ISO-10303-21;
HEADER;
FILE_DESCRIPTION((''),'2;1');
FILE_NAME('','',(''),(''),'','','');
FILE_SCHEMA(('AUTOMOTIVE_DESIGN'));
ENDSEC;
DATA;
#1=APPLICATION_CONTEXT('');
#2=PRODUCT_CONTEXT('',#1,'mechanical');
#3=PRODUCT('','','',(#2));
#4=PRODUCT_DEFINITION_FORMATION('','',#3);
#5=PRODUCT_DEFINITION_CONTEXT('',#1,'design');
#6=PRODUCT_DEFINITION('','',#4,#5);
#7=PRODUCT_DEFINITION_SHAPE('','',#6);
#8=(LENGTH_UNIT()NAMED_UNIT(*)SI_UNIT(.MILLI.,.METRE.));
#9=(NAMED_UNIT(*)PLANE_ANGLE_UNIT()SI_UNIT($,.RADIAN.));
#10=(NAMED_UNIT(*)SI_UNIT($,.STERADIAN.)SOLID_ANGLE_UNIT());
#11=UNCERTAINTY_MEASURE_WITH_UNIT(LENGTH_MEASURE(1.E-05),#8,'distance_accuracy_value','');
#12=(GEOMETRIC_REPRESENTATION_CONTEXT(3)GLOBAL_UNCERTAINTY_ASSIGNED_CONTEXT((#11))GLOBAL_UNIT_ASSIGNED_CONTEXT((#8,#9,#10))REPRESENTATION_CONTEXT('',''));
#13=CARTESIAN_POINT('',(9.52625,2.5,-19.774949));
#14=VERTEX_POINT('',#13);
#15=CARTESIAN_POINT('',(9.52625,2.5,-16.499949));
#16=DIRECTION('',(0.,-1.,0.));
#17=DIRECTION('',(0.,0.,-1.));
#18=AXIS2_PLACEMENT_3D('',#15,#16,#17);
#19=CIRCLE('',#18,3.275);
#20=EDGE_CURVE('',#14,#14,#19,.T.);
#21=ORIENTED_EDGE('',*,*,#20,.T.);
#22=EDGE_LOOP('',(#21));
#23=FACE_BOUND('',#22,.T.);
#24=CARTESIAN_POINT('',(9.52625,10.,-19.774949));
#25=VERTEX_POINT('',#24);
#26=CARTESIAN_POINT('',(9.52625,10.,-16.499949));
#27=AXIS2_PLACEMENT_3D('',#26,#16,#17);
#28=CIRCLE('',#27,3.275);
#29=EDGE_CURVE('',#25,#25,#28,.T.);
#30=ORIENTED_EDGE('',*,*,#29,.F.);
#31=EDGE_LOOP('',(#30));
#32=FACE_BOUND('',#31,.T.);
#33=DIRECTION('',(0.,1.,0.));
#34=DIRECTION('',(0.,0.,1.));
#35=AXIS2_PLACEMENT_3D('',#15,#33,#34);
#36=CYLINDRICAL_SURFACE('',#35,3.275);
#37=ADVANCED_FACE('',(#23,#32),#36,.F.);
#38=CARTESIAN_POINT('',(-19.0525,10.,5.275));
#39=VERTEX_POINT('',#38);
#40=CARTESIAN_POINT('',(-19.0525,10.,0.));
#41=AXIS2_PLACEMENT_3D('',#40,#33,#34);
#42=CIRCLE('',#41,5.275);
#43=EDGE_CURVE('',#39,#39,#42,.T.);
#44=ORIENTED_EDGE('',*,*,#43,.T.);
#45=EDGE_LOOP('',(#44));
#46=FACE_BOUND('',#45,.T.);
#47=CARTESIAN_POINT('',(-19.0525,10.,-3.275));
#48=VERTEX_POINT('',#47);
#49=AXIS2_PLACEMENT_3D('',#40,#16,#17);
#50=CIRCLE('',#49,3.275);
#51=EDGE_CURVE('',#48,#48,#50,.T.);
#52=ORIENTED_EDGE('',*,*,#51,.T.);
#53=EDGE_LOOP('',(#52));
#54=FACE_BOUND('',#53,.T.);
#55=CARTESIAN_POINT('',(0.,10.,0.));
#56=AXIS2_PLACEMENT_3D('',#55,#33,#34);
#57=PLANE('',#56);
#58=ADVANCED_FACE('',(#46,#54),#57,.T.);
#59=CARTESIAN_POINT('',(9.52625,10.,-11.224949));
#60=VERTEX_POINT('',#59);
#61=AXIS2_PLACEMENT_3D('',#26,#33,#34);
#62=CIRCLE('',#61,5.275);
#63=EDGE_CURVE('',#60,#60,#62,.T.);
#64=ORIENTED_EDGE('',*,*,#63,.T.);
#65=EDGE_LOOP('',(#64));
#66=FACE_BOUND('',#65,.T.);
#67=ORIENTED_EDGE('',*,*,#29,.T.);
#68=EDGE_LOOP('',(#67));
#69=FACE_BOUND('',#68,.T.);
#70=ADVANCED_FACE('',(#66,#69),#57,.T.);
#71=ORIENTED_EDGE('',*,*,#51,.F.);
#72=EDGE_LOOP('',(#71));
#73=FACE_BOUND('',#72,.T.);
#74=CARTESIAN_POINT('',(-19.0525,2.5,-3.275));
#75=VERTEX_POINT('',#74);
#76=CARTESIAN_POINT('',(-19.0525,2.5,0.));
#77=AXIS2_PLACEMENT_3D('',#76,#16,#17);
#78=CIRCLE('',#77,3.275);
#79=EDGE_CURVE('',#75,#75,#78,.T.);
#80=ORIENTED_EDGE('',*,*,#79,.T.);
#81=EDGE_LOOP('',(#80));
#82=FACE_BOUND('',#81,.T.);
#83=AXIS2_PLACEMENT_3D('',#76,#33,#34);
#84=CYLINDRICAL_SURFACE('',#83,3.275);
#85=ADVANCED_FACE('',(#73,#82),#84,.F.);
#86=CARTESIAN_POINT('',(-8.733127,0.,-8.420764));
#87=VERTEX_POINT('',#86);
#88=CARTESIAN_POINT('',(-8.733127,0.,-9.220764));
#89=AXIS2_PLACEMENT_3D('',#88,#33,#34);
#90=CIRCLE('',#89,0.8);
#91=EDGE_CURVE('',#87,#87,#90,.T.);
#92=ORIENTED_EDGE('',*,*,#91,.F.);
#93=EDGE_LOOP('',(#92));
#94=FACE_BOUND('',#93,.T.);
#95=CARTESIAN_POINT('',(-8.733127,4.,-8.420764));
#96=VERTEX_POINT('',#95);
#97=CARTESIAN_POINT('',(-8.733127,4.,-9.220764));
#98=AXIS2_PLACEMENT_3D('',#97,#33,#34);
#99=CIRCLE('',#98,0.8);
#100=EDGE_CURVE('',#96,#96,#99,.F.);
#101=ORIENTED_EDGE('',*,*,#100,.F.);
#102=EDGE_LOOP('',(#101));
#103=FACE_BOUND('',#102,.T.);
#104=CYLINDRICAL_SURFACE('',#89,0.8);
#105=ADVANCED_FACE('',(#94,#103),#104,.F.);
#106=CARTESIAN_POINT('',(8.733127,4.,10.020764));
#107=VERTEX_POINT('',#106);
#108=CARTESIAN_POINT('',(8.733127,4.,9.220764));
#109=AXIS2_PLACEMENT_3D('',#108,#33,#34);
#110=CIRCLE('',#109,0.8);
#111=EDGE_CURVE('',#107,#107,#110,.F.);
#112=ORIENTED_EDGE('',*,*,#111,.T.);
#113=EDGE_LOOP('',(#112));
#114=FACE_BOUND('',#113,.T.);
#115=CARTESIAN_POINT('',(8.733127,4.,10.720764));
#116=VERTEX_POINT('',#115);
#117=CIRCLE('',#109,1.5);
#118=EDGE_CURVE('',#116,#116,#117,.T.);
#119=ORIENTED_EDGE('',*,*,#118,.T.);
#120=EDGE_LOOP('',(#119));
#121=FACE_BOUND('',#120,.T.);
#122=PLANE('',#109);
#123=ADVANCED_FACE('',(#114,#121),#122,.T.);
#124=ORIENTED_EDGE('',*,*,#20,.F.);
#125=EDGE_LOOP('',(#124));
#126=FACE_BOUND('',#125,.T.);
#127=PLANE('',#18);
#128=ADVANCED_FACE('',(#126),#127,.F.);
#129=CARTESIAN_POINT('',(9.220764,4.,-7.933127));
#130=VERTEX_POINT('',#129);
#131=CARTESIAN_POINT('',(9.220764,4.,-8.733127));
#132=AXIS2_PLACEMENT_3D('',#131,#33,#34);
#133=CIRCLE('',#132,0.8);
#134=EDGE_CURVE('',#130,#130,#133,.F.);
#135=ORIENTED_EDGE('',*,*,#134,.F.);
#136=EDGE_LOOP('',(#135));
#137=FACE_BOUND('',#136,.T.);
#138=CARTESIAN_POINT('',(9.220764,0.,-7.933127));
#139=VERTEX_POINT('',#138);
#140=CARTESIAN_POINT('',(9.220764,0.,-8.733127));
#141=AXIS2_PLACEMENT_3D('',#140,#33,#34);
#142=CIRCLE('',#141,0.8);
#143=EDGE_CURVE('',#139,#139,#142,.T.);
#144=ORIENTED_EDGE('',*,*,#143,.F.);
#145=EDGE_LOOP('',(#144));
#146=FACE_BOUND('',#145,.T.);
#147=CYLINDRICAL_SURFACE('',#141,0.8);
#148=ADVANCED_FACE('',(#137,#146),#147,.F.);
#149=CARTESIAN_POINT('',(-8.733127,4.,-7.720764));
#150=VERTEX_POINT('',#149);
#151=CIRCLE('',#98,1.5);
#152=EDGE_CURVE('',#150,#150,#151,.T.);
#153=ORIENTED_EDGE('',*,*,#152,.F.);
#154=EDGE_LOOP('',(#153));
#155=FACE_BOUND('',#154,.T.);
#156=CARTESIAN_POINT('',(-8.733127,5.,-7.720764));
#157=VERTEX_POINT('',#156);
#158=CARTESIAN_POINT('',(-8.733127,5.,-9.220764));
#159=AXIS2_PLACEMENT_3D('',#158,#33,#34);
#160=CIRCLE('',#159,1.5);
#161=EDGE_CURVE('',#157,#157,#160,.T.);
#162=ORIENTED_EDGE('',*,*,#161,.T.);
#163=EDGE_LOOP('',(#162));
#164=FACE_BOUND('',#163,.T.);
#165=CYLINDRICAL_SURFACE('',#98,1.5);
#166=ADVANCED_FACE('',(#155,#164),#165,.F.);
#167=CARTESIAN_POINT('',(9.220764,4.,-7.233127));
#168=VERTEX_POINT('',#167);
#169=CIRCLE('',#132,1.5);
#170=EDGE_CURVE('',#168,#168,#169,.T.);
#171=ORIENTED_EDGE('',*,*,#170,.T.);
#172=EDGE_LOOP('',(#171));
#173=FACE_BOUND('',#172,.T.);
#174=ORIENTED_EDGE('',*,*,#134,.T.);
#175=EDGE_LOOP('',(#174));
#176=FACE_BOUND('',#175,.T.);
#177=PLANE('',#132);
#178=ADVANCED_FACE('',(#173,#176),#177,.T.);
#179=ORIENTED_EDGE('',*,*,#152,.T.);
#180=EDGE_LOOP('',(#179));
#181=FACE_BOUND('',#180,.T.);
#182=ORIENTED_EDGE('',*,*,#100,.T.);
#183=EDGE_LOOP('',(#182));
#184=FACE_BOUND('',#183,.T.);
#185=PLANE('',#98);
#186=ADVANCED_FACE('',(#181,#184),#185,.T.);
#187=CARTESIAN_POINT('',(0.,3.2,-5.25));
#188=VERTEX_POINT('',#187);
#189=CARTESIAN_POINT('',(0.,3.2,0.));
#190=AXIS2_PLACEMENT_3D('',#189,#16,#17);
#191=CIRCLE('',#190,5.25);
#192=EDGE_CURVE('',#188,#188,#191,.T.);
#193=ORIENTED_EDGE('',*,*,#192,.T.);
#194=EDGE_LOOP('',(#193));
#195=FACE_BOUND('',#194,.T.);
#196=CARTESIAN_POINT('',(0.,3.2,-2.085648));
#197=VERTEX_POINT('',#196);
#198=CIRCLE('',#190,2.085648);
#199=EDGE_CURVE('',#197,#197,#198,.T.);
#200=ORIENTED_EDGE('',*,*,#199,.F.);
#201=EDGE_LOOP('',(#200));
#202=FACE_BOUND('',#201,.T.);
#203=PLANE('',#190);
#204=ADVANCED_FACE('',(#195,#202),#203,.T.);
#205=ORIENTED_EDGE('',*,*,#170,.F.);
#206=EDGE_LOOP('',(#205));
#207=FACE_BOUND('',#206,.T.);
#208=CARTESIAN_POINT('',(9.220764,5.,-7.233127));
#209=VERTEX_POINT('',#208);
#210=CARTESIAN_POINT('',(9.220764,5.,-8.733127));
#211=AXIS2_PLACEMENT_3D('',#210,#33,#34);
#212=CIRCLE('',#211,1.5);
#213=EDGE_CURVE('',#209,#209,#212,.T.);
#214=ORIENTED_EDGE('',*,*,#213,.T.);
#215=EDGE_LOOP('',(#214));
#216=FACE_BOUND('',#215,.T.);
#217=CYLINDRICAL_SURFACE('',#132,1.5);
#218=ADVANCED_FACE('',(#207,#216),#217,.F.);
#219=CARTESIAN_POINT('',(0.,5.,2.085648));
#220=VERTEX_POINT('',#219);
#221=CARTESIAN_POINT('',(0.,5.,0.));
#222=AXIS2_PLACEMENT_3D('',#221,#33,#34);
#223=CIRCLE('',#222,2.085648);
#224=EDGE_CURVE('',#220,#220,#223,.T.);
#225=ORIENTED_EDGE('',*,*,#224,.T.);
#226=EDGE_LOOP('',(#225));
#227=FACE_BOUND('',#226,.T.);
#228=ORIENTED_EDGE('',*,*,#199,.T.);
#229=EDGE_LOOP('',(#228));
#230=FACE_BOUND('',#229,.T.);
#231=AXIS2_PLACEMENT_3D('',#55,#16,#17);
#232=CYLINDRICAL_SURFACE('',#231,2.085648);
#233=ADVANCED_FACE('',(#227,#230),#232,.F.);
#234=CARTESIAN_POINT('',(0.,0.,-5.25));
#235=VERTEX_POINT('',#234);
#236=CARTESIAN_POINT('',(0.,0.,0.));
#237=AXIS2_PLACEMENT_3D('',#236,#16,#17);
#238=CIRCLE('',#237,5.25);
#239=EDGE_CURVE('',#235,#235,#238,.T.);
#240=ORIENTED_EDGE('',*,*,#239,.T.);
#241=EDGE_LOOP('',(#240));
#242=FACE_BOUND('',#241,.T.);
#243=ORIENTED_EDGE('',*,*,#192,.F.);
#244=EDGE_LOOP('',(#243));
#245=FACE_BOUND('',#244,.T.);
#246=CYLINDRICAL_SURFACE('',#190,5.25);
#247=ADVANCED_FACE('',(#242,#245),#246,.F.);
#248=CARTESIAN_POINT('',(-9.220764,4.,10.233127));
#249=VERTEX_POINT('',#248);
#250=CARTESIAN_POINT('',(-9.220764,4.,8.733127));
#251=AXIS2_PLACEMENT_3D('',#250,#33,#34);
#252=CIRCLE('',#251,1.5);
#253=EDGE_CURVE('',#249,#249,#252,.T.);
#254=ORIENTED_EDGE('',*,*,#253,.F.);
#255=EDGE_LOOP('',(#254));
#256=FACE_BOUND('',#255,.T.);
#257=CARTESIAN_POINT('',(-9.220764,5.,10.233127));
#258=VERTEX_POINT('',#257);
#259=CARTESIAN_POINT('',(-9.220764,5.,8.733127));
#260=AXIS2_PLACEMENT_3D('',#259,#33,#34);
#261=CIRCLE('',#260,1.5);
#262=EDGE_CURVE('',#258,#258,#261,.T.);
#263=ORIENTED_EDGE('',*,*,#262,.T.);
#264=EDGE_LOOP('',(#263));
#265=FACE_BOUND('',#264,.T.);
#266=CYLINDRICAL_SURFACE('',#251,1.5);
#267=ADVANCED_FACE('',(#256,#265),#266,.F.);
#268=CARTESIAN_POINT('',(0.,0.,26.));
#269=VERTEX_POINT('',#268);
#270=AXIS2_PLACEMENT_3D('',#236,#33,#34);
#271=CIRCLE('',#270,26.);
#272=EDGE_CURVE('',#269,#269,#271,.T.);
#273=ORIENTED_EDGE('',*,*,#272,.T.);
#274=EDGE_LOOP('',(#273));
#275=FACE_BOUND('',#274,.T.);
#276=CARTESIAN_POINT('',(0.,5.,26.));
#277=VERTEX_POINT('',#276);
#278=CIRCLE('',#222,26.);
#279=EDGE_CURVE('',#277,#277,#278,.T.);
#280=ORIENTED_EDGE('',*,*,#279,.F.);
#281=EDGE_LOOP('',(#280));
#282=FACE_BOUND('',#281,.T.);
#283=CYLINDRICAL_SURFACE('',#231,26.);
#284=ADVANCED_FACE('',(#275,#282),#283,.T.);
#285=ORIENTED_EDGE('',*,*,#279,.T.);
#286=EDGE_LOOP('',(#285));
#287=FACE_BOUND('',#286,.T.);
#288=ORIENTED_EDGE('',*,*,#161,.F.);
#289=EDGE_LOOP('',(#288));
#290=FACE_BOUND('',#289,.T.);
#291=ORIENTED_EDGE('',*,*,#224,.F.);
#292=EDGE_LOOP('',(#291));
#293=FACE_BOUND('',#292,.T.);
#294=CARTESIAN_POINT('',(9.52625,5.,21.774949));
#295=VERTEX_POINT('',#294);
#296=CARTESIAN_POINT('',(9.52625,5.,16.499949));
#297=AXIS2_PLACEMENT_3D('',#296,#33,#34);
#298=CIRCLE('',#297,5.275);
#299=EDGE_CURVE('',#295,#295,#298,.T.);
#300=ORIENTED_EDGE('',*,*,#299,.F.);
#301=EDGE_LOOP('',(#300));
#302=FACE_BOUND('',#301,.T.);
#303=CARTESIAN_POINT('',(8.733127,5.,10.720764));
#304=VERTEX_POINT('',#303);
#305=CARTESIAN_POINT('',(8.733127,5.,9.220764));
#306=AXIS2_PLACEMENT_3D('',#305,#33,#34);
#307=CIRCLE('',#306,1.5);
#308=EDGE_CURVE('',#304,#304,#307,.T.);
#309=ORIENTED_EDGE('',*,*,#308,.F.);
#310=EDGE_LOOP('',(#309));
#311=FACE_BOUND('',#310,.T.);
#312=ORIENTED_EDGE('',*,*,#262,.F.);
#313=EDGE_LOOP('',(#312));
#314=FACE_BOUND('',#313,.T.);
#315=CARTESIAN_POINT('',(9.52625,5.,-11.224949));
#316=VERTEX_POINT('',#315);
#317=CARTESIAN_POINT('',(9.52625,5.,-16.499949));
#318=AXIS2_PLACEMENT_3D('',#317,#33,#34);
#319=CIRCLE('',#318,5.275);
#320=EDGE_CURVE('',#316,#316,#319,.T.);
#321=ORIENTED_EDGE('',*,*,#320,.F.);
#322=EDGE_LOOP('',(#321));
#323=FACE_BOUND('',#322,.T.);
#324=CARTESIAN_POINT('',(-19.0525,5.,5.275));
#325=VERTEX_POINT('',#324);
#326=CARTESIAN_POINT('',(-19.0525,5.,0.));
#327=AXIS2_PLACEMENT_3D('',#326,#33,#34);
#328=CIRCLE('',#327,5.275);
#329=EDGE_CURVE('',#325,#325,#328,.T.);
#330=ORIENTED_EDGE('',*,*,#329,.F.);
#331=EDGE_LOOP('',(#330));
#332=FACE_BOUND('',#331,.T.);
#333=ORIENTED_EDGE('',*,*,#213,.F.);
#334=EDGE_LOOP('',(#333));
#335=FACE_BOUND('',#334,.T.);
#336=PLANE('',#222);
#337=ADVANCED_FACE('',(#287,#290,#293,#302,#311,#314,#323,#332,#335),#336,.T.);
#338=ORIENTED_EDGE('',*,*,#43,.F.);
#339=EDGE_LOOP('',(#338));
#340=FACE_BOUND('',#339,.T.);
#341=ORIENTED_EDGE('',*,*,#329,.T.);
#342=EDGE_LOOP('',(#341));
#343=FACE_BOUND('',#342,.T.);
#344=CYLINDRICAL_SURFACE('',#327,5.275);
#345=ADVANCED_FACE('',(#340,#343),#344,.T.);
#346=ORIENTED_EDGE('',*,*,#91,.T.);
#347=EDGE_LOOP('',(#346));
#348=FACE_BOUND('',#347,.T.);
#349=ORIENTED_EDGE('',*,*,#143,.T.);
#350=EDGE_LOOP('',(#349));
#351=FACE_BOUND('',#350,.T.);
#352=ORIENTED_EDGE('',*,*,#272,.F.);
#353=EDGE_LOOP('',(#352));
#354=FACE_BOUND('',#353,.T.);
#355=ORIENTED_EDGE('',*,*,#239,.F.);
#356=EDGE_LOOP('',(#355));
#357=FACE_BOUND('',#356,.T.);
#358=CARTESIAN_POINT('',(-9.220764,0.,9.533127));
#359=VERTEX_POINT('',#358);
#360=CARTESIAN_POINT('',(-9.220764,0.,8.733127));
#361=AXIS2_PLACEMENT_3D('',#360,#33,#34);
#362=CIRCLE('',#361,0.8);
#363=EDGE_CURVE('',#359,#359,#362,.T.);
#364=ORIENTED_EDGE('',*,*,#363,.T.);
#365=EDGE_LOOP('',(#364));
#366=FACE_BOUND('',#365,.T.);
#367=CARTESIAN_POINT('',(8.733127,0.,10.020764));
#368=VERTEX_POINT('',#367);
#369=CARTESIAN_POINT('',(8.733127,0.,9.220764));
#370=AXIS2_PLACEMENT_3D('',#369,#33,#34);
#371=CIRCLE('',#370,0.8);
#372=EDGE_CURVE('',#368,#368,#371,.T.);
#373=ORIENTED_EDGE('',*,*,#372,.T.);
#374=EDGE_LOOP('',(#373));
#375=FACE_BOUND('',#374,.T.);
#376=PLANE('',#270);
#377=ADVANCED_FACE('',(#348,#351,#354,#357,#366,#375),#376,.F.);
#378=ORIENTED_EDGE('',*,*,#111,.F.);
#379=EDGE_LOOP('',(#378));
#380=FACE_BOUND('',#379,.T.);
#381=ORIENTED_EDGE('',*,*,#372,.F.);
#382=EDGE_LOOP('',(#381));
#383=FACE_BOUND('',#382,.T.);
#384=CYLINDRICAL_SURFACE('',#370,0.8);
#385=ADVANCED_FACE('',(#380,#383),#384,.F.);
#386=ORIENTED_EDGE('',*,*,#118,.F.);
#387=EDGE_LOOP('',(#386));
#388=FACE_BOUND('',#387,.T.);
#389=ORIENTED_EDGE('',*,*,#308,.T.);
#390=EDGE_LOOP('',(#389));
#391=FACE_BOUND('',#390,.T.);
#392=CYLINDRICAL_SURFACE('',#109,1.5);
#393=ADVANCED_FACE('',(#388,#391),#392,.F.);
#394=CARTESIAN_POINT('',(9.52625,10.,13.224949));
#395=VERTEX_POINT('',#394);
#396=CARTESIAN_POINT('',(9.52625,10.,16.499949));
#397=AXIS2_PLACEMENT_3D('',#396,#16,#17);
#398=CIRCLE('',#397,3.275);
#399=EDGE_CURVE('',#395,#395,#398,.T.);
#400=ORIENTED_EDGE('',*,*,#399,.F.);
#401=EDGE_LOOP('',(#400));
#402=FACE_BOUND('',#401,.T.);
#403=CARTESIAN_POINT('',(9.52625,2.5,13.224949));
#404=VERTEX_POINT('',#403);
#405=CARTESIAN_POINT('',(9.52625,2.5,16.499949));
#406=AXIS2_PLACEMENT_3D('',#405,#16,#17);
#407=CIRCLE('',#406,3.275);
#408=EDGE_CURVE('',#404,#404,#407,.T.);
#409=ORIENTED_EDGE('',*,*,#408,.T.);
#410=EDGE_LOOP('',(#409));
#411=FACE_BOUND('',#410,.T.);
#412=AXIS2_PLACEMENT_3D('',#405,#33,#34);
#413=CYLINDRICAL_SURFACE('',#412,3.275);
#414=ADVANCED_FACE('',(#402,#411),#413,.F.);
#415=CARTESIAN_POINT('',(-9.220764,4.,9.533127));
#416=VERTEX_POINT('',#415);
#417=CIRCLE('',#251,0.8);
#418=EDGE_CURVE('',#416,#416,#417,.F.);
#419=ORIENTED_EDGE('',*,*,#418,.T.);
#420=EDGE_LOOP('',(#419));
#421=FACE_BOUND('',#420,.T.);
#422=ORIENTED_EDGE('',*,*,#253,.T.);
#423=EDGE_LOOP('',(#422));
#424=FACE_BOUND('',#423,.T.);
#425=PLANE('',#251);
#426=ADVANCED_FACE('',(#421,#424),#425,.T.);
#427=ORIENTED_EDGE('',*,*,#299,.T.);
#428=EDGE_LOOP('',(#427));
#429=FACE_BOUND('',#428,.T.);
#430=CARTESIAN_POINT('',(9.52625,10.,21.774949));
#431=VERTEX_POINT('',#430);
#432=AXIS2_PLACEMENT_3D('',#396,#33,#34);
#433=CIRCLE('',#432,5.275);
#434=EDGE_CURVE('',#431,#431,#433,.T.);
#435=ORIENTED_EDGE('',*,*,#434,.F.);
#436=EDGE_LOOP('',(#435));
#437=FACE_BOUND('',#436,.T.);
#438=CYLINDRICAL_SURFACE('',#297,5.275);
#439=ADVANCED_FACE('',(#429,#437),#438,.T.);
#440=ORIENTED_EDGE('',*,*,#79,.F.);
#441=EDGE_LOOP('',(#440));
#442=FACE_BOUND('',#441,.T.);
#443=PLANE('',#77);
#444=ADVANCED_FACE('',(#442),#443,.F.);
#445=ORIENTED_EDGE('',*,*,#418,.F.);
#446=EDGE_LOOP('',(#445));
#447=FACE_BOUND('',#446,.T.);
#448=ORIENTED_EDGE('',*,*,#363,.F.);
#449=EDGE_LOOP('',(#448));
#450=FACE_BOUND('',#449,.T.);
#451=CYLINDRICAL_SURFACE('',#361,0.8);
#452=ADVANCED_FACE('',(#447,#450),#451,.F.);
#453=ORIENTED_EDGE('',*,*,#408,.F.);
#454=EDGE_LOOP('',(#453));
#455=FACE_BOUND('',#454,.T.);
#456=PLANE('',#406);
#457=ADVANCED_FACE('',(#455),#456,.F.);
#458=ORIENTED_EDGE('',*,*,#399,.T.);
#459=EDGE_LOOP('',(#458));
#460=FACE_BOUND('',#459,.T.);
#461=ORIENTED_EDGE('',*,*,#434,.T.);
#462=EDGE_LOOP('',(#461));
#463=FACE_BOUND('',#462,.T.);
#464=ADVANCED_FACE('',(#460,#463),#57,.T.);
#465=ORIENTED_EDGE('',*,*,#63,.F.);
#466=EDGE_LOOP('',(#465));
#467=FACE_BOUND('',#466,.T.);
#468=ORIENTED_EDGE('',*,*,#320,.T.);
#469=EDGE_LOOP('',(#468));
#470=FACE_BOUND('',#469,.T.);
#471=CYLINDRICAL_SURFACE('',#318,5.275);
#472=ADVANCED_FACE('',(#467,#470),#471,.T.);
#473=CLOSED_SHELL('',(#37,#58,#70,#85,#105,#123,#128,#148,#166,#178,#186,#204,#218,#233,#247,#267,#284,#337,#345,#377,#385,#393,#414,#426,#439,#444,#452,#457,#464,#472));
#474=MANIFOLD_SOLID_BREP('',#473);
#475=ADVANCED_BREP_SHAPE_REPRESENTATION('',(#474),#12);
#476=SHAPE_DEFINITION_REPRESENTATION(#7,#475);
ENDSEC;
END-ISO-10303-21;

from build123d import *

# Parameters (mm, degrees)
SKETCH2_R               = 26
SKETCH2_R_2             = 2.085648148
BOSS_EXTRUDE2_DEPTH     = 10
SKETCH3_R               = 3.275
CUT_EXTRUDE1_DEPTH      = 7.5
CUT_EXTRUDE2_START      = -5
SKETCH4_R               = 26
SKETCH4_R_2             = 5.275
CUT_EXTRUDE2_DEPTH      = 5
SKETCH5_R               = 5.25
CUT_EXTRUDE3_DEPTH      = 3.2
CUT_EXTRUDE4_DEPTH      = 38.107950631
CUT_EXTRUDE4_DEPTH_BACK = 38.107950631
SKETCH6_R               = 0.8
SKETCH7_R               = 1.500000048
CUT_EXTRUDE5_DEPTH      = 1


with BuildPart() as part:
    # Sketch2 → Boss-Extrude2 (new body)
    with BuildSketch(Plane(origin=(0, 0, 0), x_dir=(1, 0, 0), z_dir=(0, 1, 0))):
        with Locations(Location((0, 0, 0), (0, 0, 270))):
            Circle(SKETCH2_R)
        with Locations(Location((0, 0, 0), (0, 0, 270))):
            Circle(SKETCH2_R_2, mode=Mode.SUBTRACT)
    extrude(amount=BOSS_EXTRUDE2_DEPTH)

    # Sketch3 → Cut-Extrude1 (cut)
    with BuildSketch(Plane.XZ.offset(-10)):
        with Locations(Location((9.52625, -16.499949006, 0), (0, 0, 270))):
            Circle(SKETCH3_R)
        with Locations(Location((9.52625, 16.499949006, 0), (0, 0, 270))):
            Circle(SKETCH3_R)
        with Locations(Location((-19.0525, 0, 0), (0, 0, 270))):
            Circle(SKETCH3_R)
    extrude(amount=CUT_EXTRUDE1_DEPTH, mode=Mode.SUBTRACT)

    # Sketch4 → Cut-Extrude2 (cut)
    with BuildSketch(Plane(origin=(0, 10, 0), x_dir=(1, 0, 0), z_dir=(0, 1, 0)).offset(CUT_EXTRUDE2_START)):
        with Locations(Location((0, 0, 0), (0, 0, 270))):
            Circle(SKETCH4_R)
        with Locations(Location((-19.0525, 0, 0), (0, 0, 270))):
            Circle(SKETCH4_R_2, mode=Mode.SUBTRACT)
        with Locations(Location((9.52625, -16.499949006, 0), (0, 0, 270))):
            Circle(SKETCH4_R_2, mode=Mode.SUBTRACT)
        with Locations(Location((9.52625, 16.499949006, 0), (0, 0, 270))):
            Circle(SKETCH4_R_2, mode=Mode.SUBTRACT)
    extrude(amount=CUT_EXTRUDE2_DEPTH, mode=Mode.SUBTRACT)

    # Sketch5 → Cut-Extrude3 (cut)
    with BuildSketch(Plane.XZ):
        with Locations(Location((0, 0, 0), (0, 0, 270))):
            Circle(SKETCH5_R)
    extrude(amount=-CUT_EXTRUDE3_DEPTH, mode=Mode.SUBTRACT)

    # Sketch6 → Cut-Extrude4 (cut, two sides: drawn at the far end of the back side and taken through both)
    with BuildSketch(Plane(origin=(0, 5, 0), x_dir=(1, 0, 0), z_dir=(0, 1, 0)).offset(-CUT_EXTRUDE4_DEPTH_BACK)):
        with Locations(Location((-8.733127343, 9.220763895, 0), (0, 0, 270))):
            Circle(SKETCH6_R)
        with Locations(Location((9.220763895, 8.733127343, 0), (0, 0, 270))):
            Circle(SKETCH6_R)
        with Locations(Location((8.733127343, -9.220763895, 0), (0, 0, 270))):
            Circle(SKETCH6_R)
        with Locations(Location((-9.220763895, -8.733127343, 0), (0, 0, 270))):
            Circle(SKETCH6_R)
    extrude(amount=CUT_EXTRUDE4_DEPTH + CUT_EXTRUDE4_DEPTH_BACK, mode=Mode.SUBTRACT)

    # Sketch7 → Cut-Extrude5 (cut)
    with BuildSketch(Plane(origin=(0, 5, 0), x_dir=(1, 0, 0), z_dir=(0, 1, 0))):
        with Locations(Location((-8.733127343, 9.220763895, 0), (0, 0, 270))):
            Circle(SKETCH7_R)
        with Locations(Location((9.220763895, 8.733127343, 0), (0, 0, 270))):
            Circle(SKETCH7_R)
        with Locations(Location((8.733127343, -9.220763895, 0), (0, 0, 270))):
            Circle(SKETCH7_R)
        with Locations(Location((-9.220763895, -8.733127343, 0), (0, 0, 270))):
            Circle(SKETCH7_R)
    extrude(amount=-CUT_EXTRUDE5_DEPTH, mode=Mode.SUBTRACT)


solid = part.part
